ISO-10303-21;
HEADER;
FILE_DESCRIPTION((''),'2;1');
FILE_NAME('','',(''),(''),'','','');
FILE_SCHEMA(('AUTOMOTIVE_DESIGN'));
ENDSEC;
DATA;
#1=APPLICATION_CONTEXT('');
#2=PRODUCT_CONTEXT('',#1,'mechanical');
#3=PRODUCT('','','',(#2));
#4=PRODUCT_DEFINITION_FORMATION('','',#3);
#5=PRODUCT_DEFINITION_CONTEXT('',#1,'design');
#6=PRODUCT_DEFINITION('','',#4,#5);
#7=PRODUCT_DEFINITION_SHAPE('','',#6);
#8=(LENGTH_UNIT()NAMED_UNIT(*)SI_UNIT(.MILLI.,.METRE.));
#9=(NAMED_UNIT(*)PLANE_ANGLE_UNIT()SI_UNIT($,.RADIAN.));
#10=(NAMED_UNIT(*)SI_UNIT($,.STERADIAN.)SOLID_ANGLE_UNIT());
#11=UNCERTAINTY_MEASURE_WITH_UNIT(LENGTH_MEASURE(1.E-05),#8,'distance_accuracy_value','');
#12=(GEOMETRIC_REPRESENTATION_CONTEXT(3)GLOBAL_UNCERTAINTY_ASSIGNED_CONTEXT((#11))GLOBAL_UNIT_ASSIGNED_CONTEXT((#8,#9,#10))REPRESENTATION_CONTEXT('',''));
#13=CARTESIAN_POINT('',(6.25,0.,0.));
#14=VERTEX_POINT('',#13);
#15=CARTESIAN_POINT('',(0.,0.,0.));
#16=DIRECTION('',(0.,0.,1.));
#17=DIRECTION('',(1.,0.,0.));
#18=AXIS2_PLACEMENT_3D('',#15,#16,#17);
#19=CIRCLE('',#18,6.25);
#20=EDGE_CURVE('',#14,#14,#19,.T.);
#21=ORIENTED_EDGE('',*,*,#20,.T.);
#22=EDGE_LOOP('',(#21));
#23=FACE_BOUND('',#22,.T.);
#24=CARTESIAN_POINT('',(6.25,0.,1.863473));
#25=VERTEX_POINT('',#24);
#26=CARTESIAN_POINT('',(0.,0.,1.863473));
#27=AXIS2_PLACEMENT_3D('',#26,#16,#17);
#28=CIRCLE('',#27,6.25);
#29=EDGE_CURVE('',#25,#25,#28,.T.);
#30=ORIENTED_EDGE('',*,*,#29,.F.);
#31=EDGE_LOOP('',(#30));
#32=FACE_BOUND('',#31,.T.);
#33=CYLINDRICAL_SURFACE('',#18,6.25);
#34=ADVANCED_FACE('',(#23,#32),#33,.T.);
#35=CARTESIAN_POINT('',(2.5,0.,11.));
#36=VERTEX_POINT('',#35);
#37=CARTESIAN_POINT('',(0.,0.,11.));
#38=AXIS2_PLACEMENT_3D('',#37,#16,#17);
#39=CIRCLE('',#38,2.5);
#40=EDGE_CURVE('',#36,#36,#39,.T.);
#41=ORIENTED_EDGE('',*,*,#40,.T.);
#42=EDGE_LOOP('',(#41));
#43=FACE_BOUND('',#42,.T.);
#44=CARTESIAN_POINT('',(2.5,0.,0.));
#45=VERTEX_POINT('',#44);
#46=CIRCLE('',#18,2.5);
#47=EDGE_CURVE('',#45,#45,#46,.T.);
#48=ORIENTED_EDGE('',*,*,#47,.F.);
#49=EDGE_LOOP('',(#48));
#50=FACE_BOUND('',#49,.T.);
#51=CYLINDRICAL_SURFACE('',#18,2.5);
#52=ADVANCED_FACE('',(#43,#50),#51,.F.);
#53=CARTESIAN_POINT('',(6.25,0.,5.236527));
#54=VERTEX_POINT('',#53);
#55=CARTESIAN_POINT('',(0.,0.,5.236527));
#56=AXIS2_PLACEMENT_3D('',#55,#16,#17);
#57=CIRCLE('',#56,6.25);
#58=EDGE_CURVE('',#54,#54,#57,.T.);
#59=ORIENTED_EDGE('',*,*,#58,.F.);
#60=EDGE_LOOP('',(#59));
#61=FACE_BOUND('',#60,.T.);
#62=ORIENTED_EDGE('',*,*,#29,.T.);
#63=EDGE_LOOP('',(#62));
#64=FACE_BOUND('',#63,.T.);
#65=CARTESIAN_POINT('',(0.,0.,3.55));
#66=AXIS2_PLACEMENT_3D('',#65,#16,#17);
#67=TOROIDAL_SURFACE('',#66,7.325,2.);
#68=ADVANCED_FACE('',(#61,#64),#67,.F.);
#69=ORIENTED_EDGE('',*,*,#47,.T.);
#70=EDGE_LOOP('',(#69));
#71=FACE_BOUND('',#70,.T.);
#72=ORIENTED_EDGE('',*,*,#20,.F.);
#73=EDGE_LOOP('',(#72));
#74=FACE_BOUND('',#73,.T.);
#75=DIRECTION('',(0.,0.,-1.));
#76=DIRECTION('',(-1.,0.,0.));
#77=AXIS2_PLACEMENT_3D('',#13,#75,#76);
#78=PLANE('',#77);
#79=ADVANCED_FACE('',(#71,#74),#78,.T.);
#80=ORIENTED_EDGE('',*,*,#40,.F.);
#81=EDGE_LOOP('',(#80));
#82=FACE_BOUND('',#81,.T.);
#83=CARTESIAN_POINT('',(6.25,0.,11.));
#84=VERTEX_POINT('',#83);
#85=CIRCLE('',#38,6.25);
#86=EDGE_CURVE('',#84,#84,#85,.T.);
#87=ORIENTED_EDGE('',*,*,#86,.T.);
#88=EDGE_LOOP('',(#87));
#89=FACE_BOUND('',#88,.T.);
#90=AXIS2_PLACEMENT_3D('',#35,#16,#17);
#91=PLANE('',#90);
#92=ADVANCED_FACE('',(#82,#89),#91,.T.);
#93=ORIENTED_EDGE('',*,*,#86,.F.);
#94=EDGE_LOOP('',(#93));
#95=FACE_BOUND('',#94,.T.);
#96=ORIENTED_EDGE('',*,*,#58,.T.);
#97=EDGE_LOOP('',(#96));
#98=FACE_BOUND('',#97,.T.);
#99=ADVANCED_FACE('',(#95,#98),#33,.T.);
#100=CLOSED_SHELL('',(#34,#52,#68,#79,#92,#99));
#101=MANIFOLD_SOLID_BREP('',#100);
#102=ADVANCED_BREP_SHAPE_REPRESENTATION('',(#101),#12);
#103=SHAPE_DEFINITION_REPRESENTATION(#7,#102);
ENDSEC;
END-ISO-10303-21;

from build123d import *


with BuildPart() as part:
    # Sketch1 → Revolve1 (revolve)
    with BuildSketch(Plane(origin=(0, 0, 0), x_dir=(1, 0, 0), z_dir=(0, 1, 0))):
        with BuildLine():
            Line((6.25, -1.863472502), (6.25, 0))
            Line((6.25, 0), (2.5, 0))
            Line((2.5, 0), (2.5, -11))
            Line((2.5, -11), (6.25, -11))
            Line((6.25, -11), (6.25, -5.236527498))
            ThreePointArc((6.25, -5.236527498), (5.325, -3.55), (6.25, -1.863472502))
        make_face()
    revolve(axis=Axis((0, 0, 0), (0, 0, 1)))


solid = part.part
